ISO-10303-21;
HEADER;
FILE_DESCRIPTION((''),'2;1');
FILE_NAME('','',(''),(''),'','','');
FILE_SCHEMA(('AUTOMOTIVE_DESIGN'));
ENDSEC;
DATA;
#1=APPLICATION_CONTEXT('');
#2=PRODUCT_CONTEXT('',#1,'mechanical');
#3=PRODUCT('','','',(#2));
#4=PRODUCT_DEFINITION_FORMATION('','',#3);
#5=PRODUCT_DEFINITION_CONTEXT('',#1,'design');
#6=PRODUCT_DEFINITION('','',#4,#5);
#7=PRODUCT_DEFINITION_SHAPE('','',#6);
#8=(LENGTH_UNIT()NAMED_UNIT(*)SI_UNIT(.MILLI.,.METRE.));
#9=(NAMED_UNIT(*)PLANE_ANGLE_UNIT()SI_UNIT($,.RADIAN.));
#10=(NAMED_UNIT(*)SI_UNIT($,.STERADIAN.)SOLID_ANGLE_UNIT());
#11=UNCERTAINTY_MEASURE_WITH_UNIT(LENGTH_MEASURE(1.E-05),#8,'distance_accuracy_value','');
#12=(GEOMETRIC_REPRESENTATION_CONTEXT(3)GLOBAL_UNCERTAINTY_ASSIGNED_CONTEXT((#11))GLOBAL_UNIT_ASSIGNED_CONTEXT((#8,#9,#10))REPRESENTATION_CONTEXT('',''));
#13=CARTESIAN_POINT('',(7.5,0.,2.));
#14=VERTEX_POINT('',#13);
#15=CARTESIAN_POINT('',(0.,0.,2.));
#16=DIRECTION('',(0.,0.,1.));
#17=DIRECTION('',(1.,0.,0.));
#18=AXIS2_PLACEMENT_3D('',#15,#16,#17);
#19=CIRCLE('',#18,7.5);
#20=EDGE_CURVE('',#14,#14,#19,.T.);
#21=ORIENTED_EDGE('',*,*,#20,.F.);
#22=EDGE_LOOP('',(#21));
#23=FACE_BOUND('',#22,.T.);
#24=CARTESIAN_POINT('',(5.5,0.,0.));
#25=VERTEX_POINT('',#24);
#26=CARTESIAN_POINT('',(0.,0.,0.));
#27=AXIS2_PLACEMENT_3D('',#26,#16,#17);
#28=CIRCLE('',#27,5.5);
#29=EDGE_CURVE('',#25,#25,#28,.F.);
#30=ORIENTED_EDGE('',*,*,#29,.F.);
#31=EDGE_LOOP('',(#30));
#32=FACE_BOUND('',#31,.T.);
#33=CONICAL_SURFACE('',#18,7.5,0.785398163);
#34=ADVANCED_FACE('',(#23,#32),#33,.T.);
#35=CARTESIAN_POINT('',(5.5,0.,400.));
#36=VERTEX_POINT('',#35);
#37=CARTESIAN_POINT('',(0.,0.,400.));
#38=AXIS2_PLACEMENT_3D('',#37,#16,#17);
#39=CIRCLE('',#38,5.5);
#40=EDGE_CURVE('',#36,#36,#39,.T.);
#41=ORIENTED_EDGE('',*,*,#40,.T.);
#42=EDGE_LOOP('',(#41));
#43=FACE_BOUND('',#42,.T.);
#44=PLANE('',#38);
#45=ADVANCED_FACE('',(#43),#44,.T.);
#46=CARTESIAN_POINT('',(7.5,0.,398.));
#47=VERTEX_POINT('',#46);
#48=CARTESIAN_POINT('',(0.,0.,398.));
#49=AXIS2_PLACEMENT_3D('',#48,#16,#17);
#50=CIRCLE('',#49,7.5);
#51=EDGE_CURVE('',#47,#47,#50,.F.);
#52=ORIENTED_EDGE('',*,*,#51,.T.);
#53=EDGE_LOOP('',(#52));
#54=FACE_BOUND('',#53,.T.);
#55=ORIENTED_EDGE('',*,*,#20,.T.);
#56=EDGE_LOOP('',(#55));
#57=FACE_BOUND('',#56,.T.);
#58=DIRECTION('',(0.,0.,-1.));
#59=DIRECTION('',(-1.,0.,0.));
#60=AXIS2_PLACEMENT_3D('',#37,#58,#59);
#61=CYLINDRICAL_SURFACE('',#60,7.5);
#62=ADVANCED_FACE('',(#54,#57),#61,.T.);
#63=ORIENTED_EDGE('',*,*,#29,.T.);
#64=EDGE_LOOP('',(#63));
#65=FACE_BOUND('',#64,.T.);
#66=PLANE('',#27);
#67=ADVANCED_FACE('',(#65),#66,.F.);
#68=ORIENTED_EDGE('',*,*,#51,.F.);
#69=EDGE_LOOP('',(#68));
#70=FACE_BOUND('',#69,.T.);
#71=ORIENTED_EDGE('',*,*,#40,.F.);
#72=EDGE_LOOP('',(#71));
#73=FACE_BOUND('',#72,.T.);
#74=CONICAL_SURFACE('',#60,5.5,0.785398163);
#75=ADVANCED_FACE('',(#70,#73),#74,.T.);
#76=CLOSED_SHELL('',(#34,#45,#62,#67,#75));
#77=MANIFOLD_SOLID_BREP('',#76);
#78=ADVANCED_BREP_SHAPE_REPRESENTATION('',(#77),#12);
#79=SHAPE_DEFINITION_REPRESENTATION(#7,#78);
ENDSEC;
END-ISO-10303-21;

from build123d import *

# Parameters (mm, degrees)
CROQUIS1_R              = 7.5
SALIENTE_EXTRUIR1_DEPTH = 400
CHAFL_N1_SIZE           = 2


with BuildPart() as part:
    # Croquis1 → Saliente-Extruir1 (new body)
    with BuildSketch(Plane.XY):
        Circle(CROQUIS1_R)
    extrude(amount=SALIENTE_EXTRUIR1_DEPTH)

    # Chaflán1
    chafl_n1_edges = [part.edges().sort_by_distance(p)[0] for p in [
        (-7.5, 0, 0),
        (-7.5, 0, 400),
    ]]
    chamfer(chafl_n1_edges, length=CHAFL_N1_SIZE)


solid = part.part
